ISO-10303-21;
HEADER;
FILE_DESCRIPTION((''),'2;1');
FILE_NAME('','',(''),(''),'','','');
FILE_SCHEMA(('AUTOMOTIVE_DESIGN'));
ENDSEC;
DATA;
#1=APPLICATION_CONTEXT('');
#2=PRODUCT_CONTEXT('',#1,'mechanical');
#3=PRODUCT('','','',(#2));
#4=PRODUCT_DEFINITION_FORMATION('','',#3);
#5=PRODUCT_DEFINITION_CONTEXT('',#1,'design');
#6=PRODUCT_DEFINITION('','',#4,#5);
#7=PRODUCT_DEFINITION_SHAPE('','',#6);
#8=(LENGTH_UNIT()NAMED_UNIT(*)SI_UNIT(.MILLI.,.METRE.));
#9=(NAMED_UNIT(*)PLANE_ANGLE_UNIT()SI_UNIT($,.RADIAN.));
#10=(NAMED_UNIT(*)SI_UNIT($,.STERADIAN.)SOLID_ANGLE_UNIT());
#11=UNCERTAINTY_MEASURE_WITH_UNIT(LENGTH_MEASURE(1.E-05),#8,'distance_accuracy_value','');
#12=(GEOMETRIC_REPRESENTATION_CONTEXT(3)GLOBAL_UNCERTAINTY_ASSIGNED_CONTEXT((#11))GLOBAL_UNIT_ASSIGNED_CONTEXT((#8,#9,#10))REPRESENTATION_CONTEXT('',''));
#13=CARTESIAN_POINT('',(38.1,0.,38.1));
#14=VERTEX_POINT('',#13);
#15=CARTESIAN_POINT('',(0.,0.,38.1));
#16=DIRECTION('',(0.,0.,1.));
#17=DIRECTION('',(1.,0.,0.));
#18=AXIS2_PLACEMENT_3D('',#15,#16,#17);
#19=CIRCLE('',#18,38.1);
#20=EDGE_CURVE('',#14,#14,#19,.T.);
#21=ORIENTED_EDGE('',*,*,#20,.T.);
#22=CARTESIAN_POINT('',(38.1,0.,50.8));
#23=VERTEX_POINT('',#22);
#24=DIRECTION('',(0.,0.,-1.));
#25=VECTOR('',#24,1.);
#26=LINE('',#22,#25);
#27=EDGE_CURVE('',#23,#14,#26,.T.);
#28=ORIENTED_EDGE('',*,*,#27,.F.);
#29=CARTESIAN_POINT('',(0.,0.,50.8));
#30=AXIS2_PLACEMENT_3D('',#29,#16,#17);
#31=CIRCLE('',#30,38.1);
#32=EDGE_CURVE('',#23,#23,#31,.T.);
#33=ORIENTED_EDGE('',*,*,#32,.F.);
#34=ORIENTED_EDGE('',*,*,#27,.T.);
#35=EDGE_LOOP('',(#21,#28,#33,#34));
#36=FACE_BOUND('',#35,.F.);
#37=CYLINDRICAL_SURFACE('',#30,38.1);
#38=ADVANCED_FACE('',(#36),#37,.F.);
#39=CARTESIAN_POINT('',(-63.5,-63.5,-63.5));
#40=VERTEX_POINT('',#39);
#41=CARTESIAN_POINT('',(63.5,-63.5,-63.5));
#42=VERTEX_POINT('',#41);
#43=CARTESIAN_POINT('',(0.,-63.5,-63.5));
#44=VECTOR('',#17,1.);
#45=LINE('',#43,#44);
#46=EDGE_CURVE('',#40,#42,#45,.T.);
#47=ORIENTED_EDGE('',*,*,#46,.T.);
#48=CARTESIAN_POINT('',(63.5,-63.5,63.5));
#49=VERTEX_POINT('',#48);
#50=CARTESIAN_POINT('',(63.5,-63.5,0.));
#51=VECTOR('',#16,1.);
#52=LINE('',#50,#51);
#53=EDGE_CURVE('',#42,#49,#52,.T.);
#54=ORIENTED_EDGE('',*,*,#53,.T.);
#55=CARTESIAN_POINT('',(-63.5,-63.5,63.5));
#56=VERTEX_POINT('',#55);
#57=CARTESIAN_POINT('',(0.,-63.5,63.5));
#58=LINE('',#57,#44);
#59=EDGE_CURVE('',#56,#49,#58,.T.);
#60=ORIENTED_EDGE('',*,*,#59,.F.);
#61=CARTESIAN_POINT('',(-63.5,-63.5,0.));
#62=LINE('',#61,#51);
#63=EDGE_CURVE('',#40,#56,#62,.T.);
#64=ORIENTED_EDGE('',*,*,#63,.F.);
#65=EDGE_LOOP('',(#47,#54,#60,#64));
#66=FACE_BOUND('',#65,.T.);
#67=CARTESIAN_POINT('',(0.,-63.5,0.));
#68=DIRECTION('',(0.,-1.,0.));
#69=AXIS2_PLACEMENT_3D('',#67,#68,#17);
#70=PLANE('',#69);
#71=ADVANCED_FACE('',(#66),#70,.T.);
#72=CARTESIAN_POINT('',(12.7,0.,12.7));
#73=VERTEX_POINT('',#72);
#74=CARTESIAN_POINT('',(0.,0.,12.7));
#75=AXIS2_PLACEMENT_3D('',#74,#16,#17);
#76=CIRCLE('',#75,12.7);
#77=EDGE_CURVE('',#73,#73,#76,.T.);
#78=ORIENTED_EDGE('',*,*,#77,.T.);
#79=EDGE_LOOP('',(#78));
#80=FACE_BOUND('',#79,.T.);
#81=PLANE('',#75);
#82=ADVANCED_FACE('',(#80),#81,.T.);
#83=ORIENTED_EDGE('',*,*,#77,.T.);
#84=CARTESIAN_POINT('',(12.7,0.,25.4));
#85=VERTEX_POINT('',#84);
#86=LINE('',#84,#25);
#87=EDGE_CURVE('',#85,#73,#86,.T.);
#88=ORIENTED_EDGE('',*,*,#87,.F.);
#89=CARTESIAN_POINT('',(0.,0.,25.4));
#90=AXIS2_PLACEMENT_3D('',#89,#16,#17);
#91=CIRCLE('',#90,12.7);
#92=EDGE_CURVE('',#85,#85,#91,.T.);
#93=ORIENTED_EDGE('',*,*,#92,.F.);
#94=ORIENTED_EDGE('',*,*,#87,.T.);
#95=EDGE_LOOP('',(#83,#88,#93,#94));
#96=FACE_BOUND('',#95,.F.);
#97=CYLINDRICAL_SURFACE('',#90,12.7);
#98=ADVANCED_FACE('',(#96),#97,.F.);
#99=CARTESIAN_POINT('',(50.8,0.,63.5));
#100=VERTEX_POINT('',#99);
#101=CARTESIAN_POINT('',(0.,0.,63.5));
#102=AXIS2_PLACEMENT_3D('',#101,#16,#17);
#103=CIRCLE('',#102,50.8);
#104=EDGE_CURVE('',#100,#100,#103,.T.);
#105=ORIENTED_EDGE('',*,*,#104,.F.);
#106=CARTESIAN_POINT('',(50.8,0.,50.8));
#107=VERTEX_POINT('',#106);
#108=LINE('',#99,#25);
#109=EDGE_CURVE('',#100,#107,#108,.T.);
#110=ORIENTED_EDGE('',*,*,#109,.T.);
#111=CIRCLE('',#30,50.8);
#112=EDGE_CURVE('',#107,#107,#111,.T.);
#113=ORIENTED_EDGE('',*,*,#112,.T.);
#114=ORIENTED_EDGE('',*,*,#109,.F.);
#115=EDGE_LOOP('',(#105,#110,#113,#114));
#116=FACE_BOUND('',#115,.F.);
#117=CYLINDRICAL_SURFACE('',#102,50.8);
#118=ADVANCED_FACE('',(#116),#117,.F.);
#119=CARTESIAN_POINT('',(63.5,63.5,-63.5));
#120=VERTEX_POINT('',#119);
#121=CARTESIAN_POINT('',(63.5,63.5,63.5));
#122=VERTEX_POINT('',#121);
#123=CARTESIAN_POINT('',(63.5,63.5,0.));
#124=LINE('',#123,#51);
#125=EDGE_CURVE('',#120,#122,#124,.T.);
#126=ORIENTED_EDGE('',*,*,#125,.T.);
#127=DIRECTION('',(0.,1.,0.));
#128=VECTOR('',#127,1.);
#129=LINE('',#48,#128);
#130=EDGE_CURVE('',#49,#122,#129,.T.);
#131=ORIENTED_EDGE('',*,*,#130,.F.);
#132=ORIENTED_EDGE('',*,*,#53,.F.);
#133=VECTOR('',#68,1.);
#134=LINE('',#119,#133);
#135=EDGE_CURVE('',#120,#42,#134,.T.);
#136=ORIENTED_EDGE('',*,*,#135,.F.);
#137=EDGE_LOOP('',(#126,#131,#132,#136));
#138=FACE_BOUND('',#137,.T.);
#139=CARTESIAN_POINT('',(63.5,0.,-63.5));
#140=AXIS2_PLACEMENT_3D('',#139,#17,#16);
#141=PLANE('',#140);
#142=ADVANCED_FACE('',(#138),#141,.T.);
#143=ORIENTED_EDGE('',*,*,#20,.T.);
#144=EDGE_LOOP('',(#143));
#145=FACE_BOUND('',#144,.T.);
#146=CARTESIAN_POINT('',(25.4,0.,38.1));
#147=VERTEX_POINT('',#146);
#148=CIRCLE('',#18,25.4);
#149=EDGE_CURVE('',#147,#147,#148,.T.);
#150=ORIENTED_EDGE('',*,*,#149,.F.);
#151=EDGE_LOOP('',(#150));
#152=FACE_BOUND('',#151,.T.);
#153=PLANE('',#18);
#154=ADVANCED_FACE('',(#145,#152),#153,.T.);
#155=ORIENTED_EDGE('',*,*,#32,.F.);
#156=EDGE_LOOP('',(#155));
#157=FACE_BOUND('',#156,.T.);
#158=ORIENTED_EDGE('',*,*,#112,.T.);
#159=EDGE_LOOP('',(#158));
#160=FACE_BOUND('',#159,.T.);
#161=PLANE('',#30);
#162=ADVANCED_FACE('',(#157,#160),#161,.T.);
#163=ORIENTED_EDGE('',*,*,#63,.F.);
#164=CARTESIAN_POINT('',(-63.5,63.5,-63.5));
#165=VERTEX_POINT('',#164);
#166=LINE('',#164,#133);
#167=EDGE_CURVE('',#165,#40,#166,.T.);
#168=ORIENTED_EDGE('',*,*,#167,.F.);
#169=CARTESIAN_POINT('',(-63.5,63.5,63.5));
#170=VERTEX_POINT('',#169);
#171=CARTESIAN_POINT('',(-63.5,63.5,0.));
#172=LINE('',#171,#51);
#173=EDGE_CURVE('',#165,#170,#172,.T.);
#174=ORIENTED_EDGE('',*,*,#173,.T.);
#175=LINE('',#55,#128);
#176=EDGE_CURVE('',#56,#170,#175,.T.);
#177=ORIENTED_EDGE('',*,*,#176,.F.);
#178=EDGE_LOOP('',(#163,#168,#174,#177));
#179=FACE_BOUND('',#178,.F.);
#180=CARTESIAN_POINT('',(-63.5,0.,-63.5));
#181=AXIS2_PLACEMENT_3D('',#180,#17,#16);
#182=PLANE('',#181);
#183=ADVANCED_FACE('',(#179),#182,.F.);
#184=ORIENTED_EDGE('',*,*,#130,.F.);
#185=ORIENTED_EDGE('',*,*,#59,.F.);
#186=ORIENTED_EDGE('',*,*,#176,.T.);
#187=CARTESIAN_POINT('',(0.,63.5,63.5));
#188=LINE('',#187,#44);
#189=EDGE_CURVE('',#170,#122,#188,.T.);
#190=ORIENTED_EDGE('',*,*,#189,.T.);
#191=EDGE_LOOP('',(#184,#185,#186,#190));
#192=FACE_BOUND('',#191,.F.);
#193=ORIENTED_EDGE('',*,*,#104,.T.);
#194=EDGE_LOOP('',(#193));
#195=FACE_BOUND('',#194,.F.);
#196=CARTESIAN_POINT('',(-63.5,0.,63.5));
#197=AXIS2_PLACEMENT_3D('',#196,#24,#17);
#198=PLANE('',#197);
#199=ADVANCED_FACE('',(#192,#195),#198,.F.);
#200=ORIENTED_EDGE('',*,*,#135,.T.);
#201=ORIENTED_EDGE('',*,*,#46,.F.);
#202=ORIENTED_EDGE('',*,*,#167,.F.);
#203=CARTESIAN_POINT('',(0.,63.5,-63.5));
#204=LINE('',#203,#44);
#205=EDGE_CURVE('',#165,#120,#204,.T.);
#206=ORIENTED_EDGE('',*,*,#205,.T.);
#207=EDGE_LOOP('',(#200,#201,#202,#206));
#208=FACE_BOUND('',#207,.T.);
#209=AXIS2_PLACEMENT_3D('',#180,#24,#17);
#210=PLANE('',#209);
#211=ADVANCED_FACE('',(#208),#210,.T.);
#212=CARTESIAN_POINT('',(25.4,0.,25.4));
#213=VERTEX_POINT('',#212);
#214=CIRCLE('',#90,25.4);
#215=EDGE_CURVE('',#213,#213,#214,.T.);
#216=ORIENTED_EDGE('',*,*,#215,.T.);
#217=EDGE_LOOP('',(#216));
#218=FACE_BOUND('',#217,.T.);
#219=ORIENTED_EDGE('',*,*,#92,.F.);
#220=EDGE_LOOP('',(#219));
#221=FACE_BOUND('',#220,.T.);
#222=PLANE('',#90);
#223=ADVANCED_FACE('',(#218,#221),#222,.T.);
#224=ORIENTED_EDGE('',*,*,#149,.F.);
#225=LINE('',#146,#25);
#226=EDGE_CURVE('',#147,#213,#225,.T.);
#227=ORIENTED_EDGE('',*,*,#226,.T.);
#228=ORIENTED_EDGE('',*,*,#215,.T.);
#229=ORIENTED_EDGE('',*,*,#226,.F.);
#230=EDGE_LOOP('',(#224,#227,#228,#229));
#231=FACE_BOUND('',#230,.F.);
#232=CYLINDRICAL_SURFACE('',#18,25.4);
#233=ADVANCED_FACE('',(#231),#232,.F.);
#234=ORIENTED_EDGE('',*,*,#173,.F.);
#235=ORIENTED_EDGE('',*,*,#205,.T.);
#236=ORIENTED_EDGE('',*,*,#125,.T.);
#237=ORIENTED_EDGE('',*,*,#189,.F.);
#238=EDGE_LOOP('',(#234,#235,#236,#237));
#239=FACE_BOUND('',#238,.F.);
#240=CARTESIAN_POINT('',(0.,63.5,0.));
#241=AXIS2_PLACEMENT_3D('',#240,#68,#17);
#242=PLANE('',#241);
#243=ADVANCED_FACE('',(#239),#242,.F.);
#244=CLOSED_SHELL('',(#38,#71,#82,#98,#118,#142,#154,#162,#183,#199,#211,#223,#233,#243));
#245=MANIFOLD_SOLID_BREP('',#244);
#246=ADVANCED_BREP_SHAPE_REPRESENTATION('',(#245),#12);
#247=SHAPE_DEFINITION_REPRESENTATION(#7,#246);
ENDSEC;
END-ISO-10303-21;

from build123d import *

# Parameters (mm, degrees)
F0_W     = 127
F0_H     = 127
F1_DEPTH = 63.5
F2_R     = 50.8
F3_DEPTH = 12.7
F4_R     = 38.1
F5_DEPTH = 12.7
F6_R     = 25.4
F7_DEPTH = 12.7
F8_R     = 12.7
F9_DEPTH = 12.7


with BuildPart() as f1:
    # F0 (on Front) → F1 (new body, symmetric)
    with BuildSketch(Plane.XZ):
        Rectangle(F0_W, F0_H)
    extrude(amount=F1_DEPTH, both=True)

    # F2 (on face) → F3 (cut)
    with BuildSketch(Plane.XY.offset(63.5)):
        Circle(F2_R)
    extrude(amount=-F3_DEPTH, mode=Mode.SUBTRACT)

    # F4 (on face) → F5 (cut)
    with BuildSketch(Plane.XY.offset(50.8)):
        Circle(F4_R)
    extrude(amount=-F5_DEPTH, mode=Mode.SUBTRACT)

    # F6 (on face) → F7 (cut)
    with BuildSketch(Plane.XY.offset(38.1)):
        Circle(F6_R)
    extrude(amount=-F7_DEPTH, mode=Mode.SUBTRACT)

    # F8 (on face) → F9 (cut)
    with BuildSketch(Plane.XY.offset(25.4)):
        Circle(F8_R)
    extrude(amount=-F9_DEPTH, mode=Mode.SUBTRACT)


solid = f1.part
